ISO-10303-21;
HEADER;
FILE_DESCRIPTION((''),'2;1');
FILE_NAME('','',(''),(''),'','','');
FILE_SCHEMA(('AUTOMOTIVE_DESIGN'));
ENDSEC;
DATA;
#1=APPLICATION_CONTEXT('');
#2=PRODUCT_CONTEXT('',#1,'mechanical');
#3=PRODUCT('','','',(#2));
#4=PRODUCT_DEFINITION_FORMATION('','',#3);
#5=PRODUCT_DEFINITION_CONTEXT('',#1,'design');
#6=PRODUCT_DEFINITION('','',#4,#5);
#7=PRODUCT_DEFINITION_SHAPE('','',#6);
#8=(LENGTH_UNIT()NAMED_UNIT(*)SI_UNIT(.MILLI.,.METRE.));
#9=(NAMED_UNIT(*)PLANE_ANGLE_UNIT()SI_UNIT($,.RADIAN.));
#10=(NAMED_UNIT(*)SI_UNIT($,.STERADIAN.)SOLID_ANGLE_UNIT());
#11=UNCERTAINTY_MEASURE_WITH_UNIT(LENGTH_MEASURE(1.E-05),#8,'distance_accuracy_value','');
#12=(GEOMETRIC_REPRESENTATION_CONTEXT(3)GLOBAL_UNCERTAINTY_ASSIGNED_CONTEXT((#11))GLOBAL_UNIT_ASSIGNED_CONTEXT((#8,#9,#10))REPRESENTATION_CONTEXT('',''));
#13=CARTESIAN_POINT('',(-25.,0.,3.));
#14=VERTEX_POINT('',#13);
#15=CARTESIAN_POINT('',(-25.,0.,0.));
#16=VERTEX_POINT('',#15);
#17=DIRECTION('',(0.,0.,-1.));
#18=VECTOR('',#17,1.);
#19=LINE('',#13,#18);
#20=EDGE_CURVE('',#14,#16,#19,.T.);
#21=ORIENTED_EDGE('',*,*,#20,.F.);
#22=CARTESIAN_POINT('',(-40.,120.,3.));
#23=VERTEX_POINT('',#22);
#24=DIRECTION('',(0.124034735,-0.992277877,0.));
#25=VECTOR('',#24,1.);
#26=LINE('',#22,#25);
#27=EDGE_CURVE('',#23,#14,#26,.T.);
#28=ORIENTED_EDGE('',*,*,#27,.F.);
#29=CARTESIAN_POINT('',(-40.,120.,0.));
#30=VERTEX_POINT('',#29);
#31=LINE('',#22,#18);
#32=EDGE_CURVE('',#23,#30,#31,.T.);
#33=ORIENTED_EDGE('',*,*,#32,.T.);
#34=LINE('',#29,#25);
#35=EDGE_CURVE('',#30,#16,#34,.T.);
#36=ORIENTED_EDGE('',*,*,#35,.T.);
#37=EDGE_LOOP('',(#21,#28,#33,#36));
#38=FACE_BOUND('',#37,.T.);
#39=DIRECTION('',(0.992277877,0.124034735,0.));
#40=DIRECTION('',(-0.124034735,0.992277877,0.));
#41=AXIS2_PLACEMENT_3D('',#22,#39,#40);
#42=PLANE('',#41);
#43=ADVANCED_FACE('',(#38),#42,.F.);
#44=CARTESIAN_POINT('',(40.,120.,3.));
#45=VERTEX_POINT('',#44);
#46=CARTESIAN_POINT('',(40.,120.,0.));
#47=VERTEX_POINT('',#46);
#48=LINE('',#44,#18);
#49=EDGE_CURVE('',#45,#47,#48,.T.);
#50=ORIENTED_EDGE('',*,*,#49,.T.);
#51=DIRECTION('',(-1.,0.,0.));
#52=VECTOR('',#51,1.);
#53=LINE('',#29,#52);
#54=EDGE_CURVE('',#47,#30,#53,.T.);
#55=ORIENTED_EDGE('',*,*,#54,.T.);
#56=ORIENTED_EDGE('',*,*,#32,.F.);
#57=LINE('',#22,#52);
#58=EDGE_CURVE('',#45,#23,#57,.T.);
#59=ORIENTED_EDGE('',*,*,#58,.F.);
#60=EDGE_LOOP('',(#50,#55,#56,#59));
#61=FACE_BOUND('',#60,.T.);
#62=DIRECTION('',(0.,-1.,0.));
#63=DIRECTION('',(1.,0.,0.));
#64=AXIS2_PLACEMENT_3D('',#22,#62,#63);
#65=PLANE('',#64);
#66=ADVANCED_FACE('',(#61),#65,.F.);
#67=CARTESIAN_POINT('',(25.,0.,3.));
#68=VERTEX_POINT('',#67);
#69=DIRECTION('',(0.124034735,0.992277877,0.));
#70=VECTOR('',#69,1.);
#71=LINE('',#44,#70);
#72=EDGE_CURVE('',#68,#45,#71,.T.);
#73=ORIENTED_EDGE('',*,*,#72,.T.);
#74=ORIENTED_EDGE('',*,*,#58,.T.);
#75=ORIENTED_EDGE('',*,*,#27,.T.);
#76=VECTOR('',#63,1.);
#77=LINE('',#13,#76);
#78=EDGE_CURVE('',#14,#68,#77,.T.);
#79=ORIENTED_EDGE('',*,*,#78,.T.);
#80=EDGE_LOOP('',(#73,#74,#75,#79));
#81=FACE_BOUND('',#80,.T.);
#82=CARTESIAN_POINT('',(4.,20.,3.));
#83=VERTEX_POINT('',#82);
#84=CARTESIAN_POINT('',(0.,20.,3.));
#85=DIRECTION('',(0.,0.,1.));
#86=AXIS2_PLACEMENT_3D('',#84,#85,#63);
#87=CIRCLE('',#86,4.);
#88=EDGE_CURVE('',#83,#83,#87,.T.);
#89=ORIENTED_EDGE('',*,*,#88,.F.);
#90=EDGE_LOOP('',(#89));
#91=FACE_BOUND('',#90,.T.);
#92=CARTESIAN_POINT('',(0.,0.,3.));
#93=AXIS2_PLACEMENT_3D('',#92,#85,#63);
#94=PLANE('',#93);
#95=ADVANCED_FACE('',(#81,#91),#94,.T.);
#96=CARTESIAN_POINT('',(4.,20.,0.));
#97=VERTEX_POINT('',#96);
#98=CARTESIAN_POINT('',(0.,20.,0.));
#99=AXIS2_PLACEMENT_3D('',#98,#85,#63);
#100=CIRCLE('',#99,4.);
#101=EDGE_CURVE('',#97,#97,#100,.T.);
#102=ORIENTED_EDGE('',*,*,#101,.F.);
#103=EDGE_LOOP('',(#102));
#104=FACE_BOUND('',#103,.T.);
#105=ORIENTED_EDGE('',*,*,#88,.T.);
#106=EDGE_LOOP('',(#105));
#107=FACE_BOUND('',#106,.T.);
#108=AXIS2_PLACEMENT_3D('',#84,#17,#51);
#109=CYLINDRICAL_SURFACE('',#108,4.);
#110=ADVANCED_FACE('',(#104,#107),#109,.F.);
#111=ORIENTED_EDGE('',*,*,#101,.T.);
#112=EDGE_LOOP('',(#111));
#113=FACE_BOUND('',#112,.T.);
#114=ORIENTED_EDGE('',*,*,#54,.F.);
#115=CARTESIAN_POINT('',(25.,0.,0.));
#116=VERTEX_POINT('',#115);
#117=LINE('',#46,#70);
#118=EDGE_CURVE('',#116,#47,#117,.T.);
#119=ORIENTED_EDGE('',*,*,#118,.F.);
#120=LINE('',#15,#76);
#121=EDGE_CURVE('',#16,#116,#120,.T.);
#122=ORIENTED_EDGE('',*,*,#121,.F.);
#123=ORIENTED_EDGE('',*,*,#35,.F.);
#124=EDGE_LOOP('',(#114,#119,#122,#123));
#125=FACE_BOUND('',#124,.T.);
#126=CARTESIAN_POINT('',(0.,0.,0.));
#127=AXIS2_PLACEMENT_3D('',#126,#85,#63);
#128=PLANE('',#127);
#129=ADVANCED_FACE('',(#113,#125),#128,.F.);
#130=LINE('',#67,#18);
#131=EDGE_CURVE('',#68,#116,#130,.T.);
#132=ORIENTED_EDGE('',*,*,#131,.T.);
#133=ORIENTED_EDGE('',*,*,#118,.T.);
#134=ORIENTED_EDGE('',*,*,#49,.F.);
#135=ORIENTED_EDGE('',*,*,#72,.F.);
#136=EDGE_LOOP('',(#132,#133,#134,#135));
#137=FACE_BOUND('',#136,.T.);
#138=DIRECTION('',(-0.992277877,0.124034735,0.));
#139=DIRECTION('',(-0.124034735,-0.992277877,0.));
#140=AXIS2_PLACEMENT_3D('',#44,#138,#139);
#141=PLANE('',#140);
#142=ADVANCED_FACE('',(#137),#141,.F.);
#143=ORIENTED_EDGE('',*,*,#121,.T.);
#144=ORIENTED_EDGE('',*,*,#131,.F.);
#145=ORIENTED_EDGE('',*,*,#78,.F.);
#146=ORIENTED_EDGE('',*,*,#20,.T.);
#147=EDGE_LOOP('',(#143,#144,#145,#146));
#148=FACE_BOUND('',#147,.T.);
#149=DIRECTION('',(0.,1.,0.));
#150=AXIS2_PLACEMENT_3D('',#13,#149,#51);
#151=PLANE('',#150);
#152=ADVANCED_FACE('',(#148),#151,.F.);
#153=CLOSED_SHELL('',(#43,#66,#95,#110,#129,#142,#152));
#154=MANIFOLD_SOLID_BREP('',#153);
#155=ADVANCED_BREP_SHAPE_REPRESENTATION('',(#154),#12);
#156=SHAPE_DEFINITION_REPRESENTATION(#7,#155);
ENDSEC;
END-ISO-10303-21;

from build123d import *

# Parameters (mm, degrees)
SKETCH1_R           = 4
BOSS_EXTRUDE1_DEPTH = 3


with BuildPart() as part:
    # Sketch1 → Boss-Extrude1 (new body)
    with BuildSketch(Plane.XY):
        Polygon((-40, 120), (40, 120), (25, 0), (-25, 0), align=None)
        with Locations((0, 20)):
            Circle(SKETCH1_R, mode=Mode.SUBTRACT)
    extrude(amount=BOSS_EXTRUDE1_DEPTH)


solid = part.part
